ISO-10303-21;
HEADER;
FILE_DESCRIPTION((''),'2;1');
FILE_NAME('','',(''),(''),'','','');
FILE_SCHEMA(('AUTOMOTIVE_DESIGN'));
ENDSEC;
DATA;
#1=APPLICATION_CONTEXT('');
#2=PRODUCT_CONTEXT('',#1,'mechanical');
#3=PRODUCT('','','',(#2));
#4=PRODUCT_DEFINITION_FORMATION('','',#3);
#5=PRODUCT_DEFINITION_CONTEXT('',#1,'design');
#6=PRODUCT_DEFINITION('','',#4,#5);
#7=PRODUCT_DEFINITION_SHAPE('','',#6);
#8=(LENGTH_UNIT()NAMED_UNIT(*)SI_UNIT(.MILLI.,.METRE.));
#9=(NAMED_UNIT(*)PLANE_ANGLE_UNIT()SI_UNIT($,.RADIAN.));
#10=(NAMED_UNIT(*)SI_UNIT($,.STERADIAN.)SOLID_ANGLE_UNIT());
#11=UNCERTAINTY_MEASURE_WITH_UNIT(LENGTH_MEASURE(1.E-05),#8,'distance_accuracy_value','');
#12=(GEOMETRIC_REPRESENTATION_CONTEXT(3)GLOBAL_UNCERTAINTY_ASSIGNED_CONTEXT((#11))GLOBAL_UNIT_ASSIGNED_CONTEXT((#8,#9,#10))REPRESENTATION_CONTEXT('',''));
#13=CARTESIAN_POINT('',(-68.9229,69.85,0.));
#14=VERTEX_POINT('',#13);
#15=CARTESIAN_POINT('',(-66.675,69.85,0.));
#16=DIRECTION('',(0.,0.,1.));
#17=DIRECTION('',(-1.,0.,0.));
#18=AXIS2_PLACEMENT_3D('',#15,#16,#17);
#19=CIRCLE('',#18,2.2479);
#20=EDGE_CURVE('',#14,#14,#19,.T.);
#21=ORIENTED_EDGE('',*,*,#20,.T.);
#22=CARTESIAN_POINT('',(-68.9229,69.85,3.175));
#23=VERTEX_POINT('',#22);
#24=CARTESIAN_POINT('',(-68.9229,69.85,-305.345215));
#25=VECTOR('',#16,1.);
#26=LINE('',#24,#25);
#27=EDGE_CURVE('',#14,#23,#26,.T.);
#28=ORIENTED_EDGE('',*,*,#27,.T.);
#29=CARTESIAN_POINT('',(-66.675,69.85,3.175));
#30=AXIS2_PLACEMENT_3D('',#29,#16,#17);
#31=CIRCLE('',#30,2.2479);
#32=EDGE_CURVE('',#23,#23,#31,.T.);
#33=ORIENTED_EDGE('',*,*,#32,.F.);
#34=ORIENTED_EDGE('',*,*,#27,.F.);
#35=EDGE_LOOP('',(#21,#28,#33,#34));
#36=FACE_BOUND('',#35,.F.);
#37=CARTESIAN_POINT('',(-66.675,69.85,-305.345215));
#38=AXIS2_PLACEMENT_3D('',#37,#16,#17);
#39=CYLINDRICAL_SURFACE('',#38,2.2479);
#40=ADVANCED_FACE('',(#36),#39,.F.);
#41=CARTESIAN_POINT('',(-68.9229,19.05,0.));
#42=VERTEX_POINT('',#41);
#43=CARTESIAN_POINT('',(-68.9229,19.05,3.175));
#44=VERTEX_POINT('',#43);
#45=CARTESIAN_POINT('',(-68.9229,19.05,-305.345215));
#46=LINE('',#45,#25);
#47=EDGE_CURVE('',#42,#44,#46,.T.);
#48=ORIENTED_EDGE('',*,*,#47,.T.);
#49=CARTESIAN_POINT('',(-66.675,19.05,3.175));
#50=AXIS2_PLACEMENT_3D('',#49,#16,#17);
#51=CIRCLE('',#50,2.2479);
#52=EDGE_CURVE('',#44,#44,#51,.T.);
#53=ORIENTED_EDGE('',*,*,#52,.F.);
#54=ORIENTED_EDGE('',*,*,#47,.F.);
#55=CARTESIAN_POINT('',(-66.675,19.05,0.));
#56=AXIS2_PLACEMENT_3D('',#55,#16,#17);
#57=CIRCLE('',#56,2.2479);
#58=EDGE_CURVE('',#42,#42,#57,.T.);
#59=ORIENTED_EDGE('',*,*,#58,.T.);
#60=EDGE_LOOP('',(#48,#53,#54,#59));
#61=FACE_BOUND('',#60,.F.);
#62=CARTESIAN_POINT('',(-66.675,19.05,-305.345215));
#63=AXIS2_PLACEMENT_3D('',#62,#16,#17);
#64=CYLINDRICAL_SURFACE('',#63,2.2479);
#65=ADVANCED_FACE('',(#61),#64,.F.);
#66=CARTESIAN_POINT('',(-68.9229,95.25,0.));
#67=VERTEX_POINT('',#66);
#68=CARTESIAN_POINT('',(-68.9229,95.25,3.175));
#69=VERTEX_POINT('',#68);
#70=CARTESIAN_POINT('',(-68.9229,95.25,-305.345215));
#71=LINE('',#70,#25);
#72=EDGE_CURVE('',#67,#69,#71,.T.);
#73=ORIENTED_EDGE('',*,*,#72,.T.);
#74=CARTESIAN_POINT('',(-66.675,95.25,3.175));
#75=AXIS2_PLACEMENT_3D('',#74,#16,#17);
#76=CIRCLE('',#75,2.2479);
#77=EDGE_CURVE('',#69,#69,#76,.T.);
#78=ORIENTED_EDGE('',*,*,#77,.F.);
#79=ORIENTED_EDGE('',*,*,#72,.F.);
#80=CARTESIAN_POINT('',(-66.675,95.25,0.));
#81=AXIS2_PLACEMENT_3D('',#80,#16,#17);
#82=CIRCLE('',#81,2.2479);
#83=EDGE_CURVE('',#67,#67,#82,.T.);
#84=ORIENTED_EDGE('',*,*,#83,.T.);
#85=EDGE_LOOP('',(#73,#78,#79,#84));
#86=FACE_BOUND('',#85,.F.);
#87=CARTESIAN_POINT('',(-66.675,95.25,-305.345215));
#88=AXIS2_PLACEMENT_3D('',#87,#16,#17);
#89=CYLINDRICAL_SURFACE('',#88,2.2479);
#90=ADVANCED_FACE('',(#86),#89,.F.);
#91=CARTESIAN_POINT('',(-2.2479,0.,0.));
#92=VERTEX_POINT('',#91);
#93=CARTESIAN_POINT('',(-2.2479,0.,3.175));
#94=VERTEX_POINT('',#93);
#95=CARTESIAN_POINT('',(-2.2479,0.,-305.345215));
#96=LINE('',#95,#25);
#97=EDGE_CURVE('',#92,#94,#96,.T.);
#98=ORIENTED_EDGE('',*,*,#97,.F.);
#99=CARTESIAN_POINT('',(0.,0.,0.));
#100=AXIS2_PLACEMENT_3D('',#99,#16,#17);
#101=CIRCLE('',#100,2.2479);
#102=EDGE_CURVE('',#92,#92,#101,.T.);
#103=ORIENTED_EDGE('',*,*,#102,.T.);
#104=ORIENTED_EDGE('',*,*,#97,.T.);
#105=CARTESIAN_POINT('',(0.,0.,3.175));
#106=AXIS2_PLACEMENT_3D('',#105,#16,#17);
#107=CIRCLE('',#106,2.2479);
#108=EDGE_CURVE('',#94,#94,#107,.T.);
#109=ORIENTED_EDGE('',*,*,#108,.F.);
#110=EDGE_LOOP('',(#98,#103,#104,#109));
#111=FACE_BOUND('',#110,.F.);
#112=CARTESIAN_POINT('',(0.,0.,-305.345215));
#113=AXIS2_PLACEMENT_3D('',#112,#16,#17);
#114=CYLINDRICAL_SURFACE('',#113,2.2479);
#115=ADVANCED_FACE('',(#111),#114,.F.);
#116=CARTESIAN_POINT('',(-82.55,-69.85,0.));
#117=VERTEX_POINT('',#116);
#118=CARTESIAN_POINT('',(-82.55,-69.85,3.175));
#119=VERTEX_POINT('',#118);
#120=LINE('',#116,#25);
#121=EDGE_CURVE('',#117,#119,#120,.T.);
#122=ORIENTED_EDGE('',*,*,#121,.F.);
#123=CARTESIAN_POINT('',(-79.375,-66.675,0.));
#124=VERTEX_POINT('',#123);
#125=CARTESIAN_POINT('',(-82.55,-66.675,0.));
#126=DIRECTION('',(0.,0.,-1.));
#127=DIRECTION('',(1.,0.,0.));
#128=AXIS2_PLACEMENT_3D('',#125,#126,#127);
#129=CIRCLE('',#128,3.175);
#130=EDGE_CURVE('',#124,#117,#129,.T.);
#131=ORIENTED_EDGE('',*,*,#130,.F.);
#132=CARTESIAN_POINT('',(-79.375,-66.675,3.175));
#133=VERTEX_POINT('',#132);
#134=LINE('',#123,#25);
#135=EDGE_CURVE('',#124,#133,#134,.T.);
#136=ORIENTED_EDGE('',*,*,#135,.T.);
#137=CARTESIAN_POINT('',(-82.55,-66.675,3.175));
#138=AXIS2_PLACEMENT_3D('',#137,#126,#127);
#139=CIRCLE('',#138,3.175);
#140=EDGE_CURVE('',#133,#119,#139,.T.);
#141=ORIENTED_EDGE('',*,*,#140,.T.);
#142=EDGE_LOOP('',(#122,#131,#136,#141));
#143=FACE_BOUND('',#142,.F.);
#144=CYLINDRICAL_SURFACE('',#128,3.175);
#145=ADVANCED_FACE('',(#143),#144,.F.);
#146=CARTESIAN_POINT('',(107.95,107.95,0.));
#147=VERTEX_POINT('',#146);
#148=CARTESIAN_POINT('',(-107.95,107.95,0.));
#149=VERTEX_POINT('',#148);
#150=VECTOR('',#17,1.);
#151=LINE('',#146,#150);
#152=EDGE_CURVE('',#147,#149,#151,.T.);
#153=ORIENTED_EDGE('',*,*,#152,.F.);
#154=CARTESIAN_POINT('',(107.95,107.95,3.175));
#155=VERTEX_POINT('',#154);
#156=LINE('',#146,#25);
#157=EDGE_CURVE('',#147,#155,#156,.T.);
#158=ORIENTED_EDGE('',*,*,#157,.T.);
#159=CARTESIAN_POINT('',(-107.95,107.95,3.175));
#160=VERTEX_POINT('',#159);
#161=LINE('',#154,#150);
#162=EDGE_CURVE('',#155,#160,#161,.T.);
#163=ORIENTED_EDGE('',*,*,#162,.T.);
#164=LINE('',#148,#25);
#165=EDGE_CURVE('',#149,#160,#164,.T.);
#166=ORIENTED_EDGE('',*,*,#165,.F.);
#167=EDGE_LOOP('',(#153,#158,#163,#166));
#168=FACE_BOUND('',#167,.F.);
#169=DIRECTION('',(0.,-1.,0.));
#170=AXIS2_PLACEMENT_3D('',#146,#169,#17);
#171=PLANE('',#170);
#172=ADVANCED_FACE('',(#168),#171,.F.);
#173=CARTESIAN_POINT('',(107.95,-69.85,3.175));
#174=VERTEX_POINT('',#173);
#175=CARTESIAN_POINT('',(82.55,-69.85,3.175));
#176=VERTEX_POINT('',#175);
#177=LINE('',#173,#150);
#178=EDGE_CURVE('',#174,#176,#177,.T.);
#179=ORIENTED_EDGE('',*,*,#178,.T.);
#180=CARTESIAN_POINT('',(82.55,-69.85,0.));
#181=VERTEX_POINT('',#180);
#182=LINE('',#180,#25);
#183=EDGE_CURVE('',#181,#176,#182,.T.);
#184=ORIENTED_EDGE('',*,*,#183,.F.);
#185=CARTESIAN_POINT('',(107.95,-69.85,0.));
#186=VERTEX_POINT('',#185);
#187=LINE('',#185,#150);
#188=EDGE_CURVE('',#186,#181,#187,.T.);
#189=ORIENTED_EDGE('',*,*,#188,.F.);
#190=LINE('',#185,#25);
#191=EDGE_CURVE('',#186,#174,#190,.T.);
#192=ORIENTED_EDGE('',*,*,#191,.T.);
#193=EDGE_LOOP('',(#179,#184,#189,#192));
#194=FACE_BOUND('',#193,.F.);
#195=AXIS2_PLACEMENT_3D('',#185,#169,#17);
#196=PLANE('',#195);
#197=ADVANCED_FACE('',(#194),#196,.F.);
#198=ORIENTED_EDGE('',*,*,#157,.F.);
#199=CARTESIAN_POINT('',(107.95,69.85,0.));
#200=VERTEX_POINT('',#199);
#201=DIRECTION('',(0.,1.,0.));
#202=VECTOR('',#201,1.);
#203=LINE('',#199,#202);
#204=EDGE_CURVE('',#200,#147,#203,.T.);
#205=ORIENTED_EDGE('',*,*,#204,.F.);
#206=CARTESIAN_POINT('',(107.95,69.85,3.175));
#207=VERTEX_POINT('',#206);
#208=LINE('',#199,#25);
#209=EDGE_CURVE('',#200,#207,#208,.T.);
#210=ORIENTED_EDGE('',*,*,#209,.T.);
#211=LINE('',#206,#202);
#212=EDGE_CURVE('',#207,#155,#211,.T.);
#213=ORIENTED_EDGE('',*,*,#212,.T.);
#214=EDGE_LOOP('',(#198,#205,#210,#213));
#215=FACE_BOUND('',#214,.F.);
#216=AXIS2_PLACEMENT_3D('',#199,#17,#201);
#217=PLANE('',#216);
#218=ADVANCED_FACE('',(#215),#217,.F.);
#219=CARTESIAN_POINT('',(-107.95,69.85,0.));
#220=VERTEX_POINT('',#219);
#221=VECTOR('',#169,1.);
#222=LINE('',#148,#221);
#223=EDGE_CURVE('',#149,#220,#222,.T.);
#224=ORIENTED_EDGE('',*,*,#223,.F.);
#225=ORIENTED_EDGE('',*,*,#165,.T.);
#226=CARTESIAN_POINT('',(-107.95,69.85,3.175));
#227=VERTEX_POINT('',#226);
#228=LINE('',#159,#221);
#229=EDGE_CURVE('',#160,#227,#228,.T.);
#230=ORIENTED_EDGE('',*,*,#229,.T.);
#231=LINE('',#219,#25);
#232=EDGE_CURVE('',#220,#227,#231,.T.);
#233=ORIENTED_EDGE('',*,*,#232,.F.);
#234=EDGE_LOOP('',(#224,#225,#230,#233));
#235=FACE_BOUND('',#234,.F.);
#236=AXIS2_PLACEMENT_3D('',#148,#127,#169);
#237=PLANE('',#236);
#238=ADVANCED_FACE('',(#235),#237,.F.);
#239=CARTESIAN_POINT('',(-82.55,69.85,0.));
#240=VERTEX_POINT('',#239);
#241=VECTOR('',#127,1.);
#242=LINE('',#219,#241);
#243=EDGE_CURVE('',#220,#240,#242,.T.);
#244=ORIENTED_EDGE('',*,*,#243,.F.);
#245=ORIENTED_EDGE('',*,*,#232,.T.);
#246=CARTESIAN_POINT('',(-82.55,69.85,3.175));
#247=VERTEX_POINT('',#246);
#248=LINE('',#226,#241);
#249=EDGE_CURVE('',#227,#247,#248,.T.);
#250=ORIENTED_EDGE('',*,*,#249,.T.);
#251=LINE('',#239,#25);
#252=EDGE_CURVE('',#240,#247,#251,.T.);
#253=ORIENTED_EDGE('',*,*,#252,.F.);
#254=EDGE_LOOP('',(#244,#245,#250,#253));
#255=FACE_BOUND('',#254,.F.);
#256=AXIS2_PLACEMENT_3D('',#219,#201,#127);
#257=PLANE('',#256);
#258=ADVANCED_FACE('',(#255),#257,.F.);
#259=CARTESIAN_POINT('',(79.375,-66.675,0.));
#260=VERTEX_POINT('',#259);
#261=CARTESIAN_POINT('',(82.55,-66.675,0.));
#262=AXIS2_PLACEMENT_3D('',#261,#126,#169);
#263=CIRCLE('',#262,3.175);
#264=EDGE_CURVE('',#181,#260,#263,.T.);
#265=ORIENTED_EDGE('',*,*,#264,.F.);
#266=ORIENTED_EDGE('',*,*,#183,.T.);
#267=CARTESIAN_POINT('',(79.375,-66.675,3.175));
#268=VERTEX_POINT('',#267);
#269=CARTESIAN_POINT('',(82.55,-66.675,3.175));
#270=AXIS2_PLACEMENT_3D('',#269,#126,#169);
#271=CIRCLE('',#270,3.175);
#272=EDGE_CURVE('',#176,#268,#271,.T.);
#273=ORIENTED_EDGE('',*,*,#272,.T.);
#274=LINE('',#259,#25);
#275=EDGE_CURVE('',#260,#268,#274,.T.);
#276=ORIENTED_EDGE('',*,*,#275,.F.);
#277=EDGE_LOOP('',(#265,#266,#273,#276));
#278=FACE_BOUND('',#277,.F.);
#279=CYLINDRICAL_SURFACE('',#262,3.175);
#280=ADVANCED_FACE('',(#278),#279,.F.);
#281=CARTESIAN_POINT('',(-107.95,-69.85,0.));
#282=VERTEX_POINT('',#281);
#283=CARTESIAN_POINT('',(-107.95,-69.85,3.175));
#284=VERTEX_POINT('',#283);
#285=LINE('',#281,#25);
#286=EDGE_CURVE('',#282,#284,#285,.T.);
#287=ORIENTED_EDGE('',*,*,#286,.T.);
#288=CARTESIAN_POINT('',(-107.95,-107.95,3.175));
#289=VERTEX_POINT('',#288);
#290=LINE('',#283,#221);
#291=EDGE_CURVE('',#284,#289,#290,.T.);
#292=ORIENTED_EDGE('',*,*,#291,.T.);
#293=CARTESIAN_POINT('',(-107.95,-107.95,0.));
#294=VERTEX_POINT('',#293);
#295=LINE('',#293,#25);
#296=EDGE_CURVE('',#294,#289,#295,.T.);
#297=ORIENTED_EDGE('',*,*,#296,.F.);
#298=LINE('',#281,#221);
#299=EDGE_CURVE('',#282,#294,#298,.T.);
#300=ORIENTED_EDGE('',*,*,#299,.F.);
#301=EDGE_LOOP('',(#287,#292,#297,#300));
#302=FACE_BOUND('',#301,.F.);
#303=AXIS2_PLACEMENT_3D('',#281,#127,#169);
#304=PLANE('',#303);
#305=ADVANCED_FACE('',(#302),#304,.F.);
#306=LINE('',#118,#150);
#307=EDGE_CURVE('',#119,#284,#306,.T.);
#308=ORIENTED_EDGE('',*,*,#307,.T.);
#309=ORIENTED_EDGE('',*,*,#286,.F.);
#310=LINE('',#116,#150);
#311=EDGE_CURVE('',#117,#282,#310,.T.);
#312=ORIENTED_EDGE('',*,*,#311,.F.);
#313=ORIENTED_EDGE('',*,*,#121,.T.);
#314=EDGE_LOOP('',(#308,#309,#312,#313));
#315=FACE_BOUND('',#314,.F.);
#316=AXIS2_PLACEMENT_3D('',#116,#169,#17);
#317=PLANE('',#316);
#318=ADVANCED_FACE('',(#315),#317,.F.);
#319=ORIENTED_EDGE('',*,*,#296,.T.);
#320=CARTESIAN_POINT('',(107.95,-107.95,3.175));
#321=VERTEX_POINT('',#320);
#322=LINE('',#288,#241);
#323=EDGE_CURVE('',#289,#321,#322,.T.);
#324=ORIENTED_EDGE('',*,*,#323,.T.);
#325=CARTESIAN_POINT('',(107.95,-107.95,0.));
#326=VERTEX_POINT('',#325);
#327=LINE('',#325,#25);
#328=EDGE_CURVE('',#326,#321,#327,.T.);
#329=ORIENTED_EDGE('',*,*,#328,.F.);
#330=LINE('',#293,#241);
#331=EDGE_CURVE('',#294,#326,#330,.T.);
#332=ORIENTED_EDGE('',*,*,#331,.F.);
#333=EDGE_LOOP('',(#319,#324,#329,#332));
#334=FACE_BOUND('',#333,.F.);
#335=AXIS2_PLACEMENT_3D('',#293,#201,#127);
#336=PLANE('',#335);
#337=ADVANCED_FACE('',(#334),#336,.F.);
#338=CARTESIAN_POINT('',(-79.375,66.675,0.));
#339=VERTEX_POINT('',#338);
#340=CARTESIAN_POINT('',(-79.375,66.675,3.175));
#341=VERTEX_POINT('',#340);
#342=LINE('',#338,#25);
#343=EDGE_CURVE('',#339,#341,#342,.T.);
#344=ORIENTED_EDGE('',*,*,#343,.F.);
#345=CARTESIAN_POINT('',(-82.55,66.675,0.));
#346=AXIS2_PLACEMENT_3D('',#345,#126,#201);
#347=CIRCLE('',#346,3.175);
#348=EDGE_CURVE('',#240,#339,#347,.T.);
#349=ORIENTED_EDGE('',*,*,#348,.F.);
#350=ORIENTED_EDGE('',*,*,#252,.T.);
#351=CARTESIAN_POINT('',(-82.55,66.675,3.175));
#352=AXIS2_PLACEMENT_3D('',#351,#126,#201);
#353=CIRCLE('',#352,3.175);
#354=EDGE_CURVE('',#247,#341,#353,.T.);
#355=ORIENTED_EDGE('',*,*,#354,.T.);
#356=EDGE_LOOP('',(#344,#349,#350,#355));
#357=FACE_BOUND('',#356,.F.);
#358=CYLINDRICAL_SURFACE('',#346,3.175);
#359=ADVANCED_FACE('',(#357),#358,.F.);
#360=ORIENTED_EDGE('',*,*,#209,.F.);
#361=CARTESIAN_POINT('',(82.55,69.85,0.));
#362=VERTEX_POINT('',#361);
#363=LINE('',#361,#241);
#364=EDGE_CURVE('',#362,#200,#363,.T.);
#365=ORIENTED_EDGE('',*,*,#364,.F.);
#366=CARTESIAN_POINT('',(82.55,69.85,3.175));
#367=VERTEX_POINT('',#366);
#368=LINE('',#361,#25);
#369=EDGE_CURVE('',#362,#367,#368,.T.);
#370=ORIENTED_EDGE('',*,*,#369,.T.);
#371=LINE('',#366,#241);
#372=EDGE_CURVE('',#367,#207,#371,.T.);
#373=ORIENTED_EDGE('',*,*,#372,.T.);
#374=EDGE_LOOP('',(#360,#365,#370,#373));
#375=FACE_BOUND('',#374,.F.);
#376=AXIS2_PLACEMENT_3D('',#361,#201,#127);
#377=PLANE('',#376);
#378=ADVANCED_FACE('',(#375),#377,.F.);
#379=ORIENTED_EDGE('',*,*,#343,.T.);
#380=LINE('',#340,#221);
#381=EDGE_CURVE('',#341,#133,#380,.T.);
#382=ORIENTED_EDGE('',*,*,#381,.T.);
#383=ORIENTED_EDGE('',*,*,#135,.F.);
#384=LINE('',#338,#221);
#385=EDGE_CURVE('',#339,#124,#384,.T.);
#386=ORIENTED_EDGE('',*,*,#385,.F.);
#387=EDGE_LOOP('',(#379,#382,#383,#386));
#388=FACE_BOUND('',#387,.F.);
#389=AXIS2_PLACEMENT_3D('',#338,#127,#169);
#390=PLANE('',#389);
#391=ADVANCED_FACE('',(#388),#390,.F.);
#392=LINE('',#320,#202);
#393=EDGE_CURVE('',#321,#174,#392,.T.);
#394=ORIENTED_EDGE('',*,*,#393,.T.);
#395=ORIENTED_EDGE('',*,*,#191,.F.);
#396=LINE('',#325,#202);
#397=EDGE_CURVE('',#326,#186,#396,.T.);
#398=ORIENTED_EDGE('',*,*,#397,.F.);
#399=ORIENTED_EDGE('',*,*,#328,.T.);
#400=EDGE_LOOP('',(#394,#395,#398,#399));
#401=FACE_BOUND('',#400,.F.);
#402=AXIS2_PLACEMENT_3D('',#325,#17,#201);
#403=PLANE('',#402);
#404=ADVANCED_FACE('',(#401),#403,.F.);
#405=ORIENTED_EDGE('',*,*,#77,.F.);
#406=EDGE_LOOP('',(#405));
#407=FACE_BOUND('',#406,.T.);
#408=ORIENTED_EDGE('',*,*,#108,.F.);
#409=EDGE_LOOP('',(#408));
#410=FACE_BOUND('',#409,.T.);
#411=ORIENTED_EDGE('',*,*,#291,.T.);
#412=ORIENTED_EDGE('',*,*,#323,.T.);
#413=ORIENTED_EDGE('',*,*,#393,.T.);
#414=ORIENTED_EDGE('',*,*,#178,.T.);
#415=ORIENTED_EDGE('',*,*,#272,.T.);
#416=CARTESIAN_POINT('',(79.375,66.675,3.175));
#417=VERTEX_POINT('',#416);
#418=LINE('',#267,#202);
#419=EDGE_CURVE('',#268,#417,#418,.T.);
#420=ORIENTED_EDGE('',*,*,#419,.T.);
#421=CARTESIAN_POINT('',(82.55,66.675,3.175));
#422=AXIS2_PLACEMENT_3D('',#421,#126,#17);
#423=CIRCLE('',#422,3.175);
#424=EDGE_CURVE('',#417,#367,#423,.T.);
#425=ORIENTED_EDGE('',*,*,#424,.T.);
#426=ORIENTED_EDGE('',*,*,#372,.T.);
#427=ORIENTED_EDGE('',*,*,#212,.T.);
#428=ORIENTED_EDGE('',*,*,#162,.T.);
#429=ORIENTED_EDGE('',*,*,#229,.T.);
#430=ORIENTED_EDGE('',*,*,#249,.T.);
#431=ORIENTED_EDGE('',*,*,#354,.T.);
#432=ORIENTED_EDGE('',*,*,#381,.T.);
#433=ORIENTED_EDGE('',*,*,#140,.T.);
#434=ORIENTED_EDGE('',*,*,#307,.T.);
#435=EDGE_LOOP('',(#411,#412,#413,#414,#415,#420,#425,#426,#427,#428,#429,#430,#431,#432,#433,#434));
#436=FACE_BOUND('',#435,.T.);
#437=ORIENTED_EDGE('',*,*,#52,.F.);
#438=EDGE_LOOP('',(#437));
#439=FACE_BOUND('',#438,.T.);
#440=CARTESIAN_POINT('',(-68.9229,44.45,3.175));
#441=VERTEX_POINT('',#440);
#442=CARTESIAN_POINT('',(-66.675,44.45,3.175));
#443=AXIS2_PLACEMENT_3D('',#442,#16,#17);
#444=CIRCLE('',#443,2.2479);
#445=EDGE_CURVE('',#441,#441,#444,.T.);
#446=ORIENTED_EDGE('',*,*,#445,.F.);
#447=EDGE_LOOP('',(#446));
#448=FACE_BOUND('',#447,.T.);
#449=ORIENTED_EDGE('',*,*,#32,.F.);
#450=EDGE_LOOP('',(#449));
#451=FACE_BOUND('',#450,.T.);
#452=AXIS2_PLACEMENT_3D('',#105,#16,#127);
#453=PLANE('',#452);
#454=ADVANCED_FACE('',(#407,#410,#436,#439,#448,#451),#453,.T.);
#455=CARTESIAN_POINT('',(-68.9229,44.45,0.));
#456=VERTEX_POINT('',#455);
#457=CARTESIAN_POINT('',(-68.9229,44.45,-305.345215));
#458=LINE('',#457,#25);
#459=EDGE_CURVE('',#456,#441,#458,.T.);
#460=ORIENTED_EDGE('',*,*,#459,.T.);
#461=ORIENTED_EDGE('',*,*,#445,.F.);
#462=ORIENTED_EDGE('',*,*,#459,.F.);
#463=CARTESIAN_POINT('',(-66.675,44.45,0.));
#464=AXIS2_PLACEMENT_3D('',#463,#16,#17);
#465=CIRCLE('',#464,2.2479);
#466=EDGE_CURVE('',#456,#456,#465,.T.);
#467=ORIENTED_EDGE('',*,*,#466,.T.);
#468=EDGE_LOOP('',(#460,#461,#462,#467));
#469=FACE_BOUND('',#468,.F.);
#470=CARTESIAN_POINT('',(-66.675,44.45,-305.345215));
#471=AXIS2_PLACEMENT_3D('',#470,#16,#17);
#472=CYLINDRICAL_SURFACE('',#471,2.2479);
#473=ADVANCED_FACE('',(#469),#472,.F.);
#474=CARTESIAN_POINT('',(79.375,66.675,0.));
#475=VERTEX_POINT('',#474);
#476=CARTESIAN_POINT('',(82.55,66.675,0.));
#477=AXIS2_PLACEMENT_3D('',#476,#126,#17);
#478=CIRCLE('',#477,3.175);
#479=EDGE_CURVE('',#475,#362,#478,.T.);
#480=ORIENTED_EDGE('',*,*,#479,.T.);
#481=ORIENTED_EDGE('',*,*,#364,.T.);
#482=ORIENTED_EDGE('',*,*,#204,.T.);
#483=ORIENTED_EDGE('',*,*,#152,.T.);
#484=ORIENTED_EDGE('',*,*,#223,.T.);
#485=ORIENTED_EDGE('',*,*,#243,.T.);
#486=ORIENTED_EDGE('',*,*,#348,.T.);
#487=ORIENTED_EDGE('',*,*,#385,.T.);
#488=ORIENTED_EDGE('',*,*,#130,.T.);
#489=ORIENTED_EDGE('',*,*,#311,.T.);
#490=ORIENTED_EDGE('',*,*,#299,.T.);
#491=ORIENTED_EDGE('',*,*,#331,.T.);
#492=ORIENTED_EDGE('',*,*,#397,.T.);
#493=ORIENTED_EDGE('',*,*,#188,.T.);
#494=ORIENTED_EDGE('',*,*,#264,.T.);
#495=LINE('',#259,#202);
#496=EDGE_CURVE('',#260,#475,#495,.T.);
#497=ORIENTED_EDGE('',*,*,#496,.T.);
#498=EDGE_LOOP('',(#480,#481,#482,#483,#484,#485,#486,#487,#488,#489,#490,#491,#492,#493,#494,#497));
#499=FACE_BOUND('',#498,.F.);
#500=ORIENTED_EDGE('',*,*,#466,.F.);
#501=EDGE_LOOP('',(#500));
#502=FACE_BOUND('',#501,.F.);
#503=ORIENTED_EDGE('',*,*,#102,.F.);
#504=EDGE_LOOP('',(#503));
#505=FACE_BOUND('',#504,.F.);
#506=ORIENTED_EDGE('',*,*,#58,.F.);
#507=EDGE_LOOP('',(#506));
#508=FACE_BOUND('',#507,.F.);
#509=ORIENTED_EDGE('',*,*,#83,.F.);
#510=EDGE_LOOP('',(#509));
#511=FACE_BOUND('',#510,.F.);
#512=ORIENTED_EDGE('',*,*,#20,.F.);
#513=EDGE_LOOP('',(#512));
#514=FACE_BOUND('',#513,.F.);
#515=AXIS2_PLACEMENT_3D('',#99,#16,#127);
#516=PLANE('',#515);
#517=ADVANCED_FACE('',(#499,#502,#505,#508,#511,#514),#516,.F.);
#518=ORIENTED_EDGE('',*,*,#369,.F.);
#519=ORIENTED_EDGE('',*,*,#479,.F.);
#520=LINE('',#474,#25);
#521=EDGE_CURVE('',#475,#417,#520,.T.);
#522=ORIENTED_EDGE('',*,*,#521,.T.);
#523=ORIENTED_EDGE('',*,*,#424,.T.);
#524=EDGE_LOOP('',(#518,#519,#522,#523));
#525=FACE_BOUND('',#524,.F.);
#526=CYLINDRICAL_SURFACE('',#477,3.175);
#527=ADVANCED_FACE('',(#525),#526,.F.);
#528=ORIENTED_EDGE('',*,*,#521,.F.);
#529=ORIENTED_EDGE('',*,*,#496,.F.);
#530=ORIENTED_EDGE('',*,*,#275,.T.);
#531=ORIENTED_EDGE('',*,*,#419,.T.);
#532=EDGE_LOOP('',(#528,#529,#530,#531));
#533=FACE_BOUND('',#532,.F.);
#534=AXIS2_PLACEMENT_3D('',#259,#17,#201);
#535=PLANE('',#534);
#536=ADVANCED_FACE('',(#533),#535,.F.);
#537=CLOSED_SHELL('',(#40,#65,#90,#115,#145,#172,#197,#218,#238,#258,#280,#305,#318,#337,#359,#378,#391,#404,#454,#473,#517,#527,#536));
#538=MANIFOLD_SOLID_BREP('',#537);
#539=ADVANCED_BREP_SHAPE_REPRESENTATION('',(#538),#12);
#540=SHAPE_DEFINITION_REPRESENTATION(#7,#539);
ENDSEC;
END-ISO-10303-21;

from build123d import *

# Parameters (mm, degrees)
F1_DEPTH = 3.175
F2_D     = 4.4958
F3_D     = 4.4958
F4_D     = 4.4958
F5_D     = 4.4958
F6_D     = 4.4958


with BuildPart() as f1:
    # F0 (on Top) → F1 (new body)
    with BuildSketch(Plane.XY):
        with BuildLine():
            Line((-107.95, -69.85), (-107.95, -107.95))
            Line((-107.95, -107.95), (107.95, -107.95))
            Line((107.95, -107.95), (107.95, -69.85))
            Line((107.95, -69.85), (82.55, -69.85))
            ThreePointArc((82.55, -69.85), (80.3049359697, -68.9200640303), (79.375, -66.675))
            Line((79.375, -66.675), (79.375, 66.675))
            ThreePointArc((79.375, 66.675), (80.3049359697, 68.9200640303), (82.55, 69.85))
            Line((82.55, 69.85), (107.95, 69.85))
            Line((107.95, 69.85), (107.95, 107.95))
            Line((107.95, 107.95), (-107.95, 107.95))
            Line((-107.95, 107.95), (-107.95, 69.85))
            Line((-107.95, 69.85), (-82.55, 69.85))
            ThreePointArc((-82.55, 69.85), (-80.3049359697, 68.9200640303), (-79.375, 66.675))
            Line((-79.375, 66.675), (-79.375, -66.675))
            ThreePointArc((-79.375, -66.675), (-80.3049359697, -68.9200640303), (-82.55, -69.85))
            Line((-82.55, -69.85), (-107.95, -69.85))
        make_face()
    extrude(amount=F1_DEPTH)

    # F2 (through all)
    with Locations(Plane(origin=(0, 0, 0), x_dir=(1, 0, 0), z_dir=(0, 0, -1))):
        with Locations((0, 0)):
            Hole(F2_D / 2)

    # F3 (through all)
    with Locations(Plane(origin=(0, 0, 0), x_dir=(1, 0, 0), z_dir=(0, 0, -1))):
        with Locations((-66.675, -95.25)):
            Hole(F3_D / 2)

    # F4 (through all)
    with Locations(Plane(origin=(0, 0, 0), x_dir=(1, 0, 0), z_dir=(0, 0, -1))):
        with Locations((-66.675, -69.85)):
            Hole(F4_D / 2)

    # F5 (through all)
    with Locations(Plane(origin=(0, 0, 0), x_dir=(1, 0, 0), z_dir=(0, 0, -1))):
        with Locations((-66.675, -44.45)):
            Hole(F5_D / 2)

    # F6 (through all)
    with Locations(Plane(origin=(0, 0, 0), x_dir=(1, 0, 0), z_dir=(0, 0, -1))):
        with Locations((-66.675, -19.05)):
            Hole(F6_D / 2)


solid = f1.part
